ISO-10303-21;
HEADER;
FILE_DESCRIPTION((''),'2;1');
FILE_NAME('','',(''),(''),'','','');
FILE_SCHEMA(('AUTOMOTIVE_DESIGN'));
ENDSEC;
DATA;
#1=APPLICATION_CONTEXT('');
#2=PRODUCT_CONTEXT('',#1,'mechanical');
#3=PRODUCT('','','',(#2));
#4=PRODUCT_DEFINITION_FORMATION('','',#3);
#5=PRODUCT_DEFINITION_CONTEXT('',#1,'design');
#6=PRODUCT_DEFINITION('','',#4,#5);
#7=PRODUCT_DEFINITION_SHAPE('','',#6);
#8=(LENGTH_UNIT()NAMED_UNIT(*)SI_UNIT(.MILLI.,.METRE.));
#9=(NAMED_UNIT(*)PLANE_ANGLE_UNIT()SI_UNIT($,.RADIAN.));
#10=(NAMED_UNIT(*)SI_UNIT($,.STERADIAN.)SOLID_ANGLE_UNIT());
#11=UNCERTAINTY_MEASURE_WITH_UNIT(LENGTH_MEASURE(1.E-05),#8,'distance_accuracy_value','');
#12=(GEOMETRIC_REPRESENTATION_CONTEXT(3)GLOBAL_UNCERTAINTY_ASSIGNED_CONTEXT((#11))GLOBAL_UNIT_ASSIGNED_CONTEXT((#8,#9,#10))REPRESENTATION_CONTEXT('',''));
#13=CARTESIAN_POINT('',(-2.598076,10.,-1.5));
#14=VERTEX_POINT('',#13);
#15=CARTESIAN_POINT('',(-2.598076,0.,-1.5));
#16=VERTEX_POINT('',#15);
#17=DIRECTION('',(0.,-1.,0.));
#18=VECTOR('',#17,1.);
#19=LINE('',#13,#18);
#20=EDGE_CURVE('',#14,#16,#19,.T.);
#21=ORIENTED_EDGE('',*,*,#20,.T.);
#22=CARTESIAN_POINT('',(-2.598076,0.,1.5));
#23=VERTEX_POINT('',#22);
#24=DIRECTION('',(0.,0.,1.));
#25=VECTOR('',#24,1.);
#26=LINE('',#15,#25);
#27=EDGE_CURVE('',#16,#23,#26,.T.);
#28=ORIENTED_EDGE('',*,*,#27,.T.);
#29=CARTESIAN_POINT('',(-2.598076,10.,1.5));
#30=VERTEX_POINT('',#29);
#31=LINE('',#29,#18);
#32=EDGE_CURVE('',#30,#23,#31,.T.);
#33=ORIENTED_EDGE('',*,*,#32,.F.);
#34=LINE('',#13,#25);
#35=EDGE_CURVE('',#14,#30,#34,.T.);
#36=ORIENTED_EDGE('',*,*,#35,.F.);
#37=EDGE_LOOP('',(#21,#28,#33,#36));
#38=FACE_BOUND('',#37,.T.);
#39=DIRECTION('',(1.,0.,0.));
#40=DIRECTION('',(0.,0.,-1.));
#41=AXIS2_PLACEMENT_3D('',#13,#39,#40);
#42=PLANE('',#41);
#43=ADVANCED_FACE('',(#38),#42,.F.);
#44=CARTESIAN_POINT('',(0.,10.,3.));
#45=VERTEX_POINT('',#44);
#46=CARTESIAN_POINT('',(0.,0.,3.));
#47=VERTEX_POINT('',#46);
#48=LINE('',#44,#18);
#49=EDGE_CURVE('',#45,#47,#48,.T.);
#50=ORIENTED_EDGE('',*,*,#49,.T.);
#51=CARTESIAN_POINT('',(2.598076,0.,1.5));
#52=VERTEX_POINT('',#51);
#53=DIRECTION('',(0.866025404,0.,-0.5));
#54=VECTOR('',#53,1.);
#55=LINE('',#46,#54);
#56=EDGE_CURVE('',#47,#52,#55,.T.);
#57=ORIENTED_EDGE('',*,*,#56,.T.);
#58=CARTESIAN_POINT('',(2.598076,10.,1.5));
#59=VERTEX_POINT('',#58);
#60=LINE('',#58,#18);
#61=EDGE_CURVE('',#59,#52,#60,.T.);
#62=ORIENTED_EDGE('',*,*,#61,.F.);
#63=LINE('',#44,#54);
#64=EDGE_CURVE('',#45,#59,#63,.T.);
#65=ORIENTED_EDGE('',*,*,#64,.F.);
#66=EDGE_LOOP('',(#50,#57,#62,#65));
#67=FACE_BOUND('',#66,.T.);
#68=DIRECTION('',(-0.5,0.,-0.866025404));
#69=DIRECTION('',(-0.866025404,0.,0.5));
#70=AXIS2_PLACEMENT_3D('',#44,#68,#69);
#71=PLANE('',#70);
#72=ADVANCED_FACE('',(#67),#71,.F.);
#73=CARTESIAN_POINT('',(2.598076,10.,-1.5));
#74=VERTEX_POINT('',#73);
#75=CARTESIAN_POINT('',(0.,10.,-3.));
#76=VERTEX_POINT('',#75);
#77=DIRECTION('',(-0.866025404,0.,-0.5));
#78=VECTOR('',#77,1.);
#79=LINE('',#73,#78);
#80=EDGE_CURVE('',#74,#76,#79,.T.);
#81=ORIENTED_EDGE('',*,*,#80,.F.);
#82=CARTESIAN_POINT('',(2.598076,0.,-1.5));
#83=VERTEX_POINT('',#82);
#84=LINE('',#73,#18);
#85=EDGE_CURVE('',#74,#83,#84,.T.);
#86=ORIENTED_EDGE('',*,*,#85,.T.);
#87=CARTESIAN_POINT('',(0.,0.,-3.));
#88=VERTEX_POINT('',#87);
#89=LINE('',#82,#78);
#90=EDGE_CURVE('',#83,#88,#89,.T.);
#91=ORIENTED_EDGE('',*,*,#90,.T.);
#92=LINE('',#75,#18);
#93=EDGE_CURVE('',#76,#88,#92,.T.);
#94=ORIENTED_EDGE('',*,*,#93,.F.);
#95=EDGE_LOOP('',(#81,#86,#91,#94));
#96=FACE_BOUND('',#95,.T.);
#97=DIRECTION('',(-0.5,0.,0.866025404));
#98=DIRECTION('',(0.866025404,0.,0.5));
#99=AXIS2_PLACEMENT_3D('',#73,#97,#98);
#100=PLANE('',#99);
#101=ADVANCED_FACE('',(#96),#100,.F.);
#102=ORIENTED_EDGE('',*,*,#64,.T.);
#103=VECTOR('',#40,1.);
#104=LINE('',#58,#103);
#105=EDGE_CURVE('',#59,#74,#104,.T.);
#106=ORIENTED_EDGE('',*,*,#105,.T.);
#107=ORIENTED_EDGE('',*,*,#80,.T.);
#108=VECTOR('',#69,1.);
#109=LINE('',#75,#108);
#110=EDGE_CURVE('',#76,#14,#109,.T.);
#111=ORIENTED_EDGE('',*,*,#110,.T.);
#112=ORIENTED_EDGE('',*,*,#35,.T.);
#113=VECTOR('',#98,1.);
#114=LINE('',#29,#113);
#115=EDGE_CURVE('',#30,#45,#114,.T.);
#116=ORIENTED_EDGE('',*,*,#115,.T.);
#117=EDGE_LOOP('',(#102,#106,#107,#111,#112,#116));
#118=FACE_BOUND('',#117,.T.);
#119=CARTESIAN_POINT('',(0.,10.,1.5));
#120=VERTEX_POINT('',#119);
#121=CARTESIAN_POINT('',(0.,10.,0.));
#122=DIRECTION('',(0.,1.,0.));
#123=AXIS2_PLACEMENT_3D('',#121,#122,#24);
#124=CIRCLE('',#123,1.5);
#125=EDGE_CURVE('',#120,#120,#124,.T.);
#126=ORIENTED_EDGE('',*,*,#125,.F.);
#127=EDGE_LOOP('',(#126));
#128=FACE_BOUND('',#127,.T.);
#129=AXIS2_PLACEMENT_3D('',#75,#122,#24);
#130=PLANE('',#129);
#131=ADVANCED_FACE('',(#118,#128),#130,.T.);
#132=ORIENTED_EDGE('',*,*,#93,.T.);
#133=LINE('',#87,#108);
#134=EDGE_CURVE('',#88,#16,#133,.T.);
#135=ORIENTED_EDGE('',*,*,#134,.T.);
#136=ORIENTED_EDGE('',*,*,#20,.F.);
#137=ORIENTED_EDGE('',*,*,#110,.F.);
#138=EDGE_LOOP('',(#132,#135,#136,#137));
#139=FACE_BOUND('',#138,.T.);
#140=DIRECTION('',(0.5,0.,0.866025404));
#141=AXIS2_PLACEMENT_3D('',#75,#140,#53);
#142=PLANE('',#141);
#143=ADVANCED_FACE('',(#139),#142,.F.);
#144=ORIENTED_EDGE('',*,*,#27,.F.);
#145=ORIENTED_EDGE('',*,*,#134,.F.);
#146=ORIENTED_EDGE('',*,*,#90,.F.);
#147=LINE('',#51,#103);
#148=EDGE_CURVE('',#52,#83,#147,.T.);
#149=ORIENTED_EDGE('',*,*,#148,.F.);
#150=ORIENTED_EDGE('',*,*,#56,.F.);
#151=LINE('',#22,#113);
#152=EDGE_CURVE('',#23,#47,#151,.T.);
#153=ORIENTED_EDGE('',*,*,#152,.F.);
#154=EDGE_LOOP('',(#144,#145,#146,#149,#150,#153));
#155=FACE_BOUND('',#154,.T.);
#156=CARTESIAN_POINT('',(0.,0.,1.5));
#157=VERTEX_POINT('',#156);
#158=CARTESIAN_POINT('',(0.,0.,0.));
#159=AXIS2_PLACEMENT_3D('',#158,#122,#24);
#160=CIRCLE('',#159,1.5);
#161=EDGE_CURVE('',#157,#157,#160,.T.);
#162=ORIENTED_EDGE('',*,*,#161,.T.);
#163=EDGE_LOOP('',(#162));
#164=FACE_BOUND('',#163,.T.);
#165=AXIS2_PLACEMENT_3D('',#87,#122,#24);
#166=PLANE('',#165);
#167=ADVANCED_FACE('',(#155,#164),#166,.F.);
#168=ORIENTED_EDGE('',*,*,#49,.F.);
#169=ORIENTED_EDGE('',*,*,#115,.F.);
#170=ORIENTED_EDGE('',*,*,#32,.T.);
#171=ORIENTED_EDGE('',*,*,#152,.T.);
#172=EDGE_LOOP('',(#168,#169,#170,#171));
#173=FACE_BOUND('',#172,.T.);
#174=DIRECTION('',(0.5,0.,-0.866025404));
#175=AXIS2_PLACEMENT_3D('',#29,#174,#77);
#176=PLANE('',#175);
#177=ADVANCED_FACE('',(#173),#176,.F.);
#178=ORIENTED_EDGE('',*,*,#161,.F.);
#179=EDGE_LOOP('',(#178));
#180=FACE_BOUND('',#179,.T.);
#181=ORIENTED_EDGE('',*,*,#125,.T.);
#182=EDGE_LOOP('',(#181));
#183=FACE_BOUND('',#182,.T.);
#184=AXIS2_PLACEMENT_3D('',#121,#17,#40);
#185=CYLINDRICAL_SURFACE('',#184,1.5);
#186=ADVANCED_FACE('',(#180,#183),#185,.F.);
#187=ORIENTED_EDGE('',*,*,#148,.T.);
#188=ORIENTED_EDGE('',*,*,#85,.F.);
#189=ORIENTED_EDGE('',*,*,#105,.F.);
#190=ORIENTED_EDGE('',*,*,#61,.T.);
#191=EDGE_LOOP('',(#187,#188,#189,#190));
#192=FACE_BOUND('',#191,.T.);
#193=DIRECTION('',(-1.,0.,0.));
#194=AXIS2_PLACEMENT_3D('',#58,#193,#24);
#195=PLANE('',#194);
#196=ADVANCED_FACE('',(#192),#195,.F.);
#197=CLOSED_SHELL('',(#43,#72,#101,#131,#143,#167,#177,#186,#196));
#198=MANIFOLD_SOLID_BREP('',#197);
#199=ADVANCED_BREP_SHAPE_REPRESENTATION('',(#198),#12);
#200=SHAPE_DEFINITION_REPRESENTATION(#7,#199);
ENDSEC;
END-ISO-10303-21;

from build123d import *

# Parameters (mm, degrees)
ESQUISSE1_R      = 1.5
EXTRUSION1_DEPTH = 10


with BuildPart() as part:
    # Esquisse1 → Extrusion1 (new body)
    with BuildSketch(Plane(origin=(0, 0, 0), x_dir=(1, 0, 0), z_dir=(0, 1, 0))):
        Polygon((0, 3), (-2.598076211, 1.5), (-2.598076211, -1.5), (0, -3), (2.598076211, -1.5), (2.598076211, 1.5), align=None)
        Circle(ESQUISSE1_R, mode=Mode.SUBTRACT)
    extrude(amount=EXTRUSION1_DEPTH)


solid = part.part
